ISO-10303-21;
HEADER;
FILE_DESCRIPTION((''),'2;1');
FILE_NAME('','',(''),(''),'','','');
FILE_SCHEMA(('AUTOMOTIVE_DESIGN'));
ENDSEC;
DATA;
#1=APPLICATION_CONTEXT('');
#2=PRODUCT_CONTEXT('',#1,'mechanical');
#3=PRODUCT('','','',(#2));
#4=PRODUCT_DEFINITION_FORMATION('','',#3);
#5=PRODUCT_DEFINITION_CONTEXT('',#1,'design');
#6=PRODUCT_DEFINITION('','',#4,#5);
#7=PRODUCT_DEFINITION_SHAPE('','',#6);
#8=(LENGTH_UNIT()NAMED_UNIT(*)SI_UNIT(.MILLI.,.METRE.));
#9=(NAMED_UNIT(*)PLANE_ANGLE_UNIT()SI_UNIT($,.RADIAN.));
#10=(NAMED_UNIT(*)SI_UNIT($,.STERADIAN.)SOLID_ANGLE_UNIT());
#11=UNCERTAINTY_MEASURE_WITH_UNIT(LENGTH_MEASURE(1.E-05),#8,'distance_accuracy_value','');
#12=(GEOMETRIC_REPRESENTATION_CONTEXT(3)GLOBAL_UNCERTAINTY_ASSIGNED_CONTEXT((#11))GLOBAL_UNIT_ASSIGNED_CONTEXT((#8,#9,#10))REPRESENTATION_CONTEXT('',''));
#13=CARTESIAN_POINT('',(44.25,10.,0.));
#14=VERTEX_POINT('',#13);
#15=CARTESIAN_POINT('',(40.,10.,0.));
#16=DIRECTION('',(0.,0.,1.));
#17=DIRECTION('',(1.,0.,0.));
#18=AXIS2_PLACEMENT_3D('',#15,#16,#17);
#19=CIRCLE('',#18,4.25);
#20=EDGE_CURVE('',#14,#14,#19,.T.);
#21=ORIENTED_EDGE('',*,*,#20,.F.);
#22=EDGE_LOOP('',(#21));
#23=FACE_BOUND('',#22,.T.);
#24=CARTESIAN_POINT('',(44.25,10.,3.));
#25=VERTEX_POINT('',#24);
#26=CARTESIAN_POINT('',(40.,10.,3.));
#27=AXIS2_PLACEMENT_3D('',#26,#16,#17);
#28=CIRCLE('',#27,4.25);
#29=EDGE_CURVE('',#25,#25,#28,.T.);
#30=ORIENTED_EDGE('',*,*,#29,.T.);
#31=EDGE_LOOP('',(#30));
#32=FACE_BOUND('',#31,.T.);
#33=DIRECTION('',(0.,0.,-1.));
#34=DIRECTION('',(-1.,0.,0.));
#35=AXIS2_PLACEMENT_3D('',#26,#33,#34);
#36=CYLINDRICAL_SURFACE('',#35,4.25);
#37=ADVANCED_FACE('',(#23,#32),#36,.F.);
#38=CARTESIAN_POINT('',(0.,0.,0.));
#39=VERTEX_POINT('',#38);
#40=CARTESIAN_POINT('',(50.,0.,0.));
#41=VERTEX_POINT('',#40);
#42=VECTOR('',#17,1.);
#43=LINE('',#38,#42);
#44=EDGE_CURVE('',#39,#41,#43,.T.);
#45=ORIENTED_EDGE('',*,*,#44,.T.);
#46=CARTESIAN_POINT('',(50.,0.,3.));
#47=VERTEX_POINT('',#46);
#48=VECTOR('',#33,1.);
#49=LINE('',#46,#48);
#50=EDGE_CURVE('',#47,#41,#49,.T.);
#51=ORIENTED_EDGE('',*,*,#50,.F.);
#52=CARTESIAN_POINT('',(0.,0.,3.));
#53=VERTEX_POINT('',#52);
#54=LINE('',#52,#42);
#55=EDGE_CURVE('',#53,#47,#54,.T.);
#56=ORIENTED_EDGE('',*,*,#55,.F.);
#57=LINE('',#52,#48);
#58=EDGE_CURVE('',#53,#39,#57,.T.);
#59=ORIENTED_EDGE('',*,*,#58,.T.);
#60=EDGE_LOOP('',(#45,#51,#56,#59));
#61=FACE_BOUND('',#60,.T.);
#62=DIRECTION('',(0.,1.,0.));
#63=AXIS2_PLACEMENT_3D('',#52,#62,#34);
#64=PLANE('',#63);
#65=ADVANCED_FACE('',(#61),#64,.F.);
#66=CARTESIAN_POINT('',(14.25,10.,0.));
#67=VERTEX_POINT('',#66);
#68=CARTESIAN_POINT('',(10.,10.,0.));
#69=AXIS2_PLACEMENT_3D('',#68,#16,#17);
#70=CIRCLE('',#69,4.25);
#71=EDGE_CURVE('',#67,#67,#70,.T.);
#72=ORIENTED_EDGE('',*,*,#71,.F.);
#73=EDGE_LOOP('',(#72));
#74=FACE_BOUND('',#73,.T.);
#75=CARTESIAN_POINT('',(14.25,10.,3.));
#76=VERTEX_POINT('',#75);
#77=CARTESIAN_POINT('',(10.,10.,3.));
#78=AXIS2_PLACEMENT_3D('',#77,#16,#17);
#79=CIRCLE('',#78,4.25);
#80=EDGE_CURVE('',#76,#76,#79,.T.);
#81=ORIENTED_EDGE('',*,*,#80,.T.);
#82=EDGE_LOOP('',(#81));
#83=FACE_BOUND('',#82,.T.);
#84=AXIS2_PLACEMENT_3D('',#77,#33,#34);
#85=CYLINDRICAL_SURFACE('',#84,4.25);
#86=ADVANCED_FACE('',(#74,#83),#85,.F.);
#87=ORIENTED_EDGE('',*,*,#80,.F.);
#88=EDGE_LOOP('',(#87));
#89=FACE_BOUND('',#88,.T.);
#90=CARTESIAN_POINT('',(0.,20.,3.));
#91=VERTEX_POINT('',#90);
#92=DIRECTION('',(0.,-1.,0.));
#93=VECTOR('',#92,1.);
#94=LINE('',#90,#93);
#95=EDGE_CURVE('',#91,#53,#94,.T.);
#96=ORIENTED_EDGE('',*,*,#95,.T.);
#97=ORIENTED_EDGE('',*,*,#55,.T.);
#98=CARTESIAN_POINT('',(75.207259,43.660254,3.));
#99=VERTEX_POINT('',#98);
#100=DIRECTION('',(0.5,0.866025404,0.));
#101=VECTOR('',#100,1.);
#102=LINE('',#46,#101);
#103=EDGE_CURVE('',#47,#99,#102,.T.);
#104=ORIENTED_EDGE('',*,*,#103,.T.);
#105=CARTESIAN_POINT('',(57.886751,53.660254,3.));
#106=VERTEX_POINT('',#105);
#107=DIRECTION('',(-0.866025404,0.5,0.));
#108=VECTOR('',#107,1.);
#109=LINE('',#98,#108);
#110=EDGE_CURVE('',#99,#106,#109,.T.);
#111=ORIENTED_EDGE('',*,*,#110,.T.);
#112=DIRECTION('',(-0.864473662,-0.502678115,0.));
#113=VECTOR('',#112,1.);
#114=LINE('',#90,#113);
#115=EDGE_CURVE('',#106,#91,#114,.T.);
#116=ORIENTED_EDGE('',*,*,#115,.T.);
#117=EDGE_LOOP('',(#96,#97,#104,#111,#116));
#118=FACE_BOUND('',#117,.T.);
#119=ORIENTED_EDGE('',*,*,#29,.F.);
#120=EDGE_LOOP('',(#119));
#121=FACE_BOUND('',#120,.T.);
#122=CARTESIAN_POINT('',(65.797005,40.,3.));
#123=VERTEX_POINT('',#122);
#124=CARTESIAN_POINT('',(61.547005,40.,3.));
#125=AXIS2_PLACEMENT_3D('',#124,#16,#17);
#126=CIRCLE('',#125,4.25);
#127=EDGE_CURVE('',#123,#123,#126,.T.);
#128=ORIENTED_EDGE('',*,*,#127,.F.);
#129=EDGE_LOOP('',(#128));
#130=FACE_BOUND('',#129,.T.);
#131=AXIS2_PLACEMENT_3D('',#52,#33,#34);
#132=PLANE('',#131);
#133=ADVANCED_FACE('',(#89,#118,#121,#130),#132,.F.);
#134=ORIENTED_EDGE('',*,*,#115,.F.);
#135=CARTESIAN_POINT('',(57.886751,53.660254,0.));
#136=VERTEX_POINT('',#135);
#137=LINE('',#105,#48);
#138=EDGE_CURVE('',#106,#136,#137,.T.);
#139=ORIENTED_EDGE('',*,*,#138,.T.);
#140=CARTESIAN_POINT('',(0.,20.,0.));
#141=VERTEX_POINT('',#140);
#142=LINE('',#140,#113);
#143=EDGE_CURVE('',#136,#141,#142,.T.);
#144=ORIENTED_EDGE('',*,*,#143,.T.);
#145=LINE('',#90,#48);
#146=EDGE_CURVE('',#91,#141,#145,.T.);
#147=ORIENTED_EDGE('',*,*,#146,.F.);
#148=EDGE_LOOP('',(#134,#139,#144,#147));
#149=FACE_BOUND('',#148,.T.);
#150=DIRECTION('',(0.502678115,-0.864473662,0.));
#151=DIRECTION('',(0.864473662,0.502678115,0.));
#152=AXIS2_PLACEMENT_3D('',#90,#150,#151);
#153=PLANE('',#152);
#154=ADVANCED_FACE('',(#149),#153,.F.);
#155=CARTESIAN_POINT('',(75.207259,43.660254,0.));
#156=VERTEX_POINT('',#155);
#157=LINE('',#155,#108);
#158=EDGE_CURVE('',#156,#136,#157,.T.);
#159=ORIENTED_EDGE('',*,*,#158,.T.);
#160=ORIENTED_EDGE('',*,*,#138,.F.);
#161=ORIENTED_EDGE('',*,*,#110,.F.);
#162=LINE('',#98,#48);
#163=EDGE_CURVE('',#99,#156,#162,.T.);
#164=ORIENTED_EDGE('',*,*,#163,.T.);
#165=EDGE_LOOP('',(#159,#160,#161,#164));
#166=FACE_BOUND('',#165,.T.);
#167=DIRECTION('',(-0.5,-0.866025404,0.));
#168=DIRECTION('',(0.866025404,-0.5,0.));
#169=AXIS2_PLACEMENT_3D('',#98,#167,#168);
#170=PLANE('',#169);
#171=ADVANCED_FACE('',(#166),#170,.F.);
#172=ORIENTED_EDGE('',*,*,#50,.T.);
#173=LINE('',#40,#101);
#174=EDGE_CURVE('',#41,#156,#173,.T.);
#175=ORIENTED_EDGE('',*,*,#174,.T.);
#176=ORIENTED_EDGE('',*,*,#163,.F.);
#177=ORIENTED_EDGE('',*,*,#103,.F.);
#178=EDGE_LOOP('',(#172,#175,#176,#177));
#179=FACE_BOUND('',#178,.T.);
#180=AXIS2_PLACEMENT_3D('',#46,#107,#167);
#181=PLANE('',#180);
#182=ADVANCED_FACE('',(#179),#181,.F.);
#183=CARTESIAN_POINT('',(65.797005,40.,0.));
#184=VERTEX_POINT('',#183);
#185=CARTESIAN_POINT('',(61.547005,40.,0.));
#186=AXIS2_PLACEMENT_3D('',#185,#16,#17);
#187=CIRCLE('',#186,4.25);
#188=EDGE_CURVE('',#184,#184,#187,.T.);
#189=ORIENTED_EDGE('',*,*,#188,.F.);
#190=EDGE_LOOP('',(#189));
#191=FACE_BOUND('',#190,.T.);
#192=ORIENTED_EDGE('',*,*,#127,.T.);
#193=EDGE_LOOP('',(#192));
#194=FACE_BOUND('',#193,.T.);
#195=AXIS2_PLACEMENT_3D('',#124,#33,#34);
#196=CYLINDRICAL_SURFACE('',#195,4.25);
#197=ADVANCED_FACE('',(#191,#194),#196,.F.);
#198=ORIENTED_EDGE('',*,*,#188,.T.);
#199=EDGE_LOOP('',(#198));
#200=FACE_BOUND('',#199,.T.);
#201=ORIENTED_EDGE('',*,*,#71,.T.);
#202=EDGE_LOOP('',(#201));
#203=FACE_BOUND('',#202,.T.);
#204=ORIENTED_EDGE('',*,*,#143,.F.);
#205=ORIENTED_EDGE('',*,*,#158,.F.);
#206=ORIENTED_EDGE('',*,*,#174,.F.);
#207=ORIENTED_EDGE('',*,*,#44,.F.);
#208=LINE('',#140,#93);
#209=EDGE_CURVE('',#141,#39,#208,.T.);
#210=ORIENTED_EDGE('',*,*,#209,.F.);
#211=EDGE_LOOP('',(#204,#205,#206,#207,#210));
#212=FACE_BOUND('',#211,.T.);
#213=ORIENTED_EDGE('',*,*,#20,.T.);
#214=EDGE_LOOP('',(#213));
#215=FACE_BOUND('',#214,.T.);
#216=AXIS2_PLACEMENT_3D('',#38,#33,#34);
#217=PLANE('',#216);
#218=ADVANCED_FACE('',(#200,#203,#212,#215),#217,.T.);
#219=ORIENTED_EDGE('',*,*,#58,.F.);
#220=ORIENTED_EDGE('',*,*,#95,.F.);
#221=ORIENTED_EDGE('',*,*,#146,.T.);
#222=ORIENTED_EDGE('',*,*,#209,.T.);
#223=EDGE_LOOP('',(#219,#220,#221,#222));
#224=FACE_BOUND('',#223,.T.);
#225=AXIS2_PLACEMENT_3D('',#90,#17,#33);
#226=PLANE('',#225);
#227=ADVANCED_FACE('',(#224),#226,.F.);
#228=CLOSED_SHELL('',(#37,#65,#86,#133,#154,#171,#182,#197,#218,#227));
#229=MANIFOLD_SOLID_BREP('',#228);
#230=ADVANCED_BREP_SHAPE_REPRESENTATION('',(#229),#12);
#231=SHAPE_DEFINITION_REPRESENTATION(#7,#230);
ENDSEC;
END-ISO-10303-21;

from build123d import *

# Parameters (mm, degrees)
SKETCH1_R           = 4.25
BOSS_EXTRUDE1_DEPTH = 3


with BuildPart() as part:
    # Sketch1 → Boss-Extrude1 (new body)
    with BuildSketch(Plane.XY):
        Polygon((50, 0), (75.207259422, 43.660254038), (57.886751346, 53.660254038), (0, 20), (0, 0), align=None)
        with Locations((40, 10)):
            Circle(SKETCH1_R, mode=Mode.SUBTRACT)
        with Locations((10, 10)):
            Circle(SKETCH1_R, mode=Mode.SUBTRACT)
        with Locations((61.547005384, 40)):
            Circle(SKETCH1_R, mode=Mode.SUBTRACT)
    extrude(amount=BOSS_EXTRUDE1_DEPTH)


solid = part.part
